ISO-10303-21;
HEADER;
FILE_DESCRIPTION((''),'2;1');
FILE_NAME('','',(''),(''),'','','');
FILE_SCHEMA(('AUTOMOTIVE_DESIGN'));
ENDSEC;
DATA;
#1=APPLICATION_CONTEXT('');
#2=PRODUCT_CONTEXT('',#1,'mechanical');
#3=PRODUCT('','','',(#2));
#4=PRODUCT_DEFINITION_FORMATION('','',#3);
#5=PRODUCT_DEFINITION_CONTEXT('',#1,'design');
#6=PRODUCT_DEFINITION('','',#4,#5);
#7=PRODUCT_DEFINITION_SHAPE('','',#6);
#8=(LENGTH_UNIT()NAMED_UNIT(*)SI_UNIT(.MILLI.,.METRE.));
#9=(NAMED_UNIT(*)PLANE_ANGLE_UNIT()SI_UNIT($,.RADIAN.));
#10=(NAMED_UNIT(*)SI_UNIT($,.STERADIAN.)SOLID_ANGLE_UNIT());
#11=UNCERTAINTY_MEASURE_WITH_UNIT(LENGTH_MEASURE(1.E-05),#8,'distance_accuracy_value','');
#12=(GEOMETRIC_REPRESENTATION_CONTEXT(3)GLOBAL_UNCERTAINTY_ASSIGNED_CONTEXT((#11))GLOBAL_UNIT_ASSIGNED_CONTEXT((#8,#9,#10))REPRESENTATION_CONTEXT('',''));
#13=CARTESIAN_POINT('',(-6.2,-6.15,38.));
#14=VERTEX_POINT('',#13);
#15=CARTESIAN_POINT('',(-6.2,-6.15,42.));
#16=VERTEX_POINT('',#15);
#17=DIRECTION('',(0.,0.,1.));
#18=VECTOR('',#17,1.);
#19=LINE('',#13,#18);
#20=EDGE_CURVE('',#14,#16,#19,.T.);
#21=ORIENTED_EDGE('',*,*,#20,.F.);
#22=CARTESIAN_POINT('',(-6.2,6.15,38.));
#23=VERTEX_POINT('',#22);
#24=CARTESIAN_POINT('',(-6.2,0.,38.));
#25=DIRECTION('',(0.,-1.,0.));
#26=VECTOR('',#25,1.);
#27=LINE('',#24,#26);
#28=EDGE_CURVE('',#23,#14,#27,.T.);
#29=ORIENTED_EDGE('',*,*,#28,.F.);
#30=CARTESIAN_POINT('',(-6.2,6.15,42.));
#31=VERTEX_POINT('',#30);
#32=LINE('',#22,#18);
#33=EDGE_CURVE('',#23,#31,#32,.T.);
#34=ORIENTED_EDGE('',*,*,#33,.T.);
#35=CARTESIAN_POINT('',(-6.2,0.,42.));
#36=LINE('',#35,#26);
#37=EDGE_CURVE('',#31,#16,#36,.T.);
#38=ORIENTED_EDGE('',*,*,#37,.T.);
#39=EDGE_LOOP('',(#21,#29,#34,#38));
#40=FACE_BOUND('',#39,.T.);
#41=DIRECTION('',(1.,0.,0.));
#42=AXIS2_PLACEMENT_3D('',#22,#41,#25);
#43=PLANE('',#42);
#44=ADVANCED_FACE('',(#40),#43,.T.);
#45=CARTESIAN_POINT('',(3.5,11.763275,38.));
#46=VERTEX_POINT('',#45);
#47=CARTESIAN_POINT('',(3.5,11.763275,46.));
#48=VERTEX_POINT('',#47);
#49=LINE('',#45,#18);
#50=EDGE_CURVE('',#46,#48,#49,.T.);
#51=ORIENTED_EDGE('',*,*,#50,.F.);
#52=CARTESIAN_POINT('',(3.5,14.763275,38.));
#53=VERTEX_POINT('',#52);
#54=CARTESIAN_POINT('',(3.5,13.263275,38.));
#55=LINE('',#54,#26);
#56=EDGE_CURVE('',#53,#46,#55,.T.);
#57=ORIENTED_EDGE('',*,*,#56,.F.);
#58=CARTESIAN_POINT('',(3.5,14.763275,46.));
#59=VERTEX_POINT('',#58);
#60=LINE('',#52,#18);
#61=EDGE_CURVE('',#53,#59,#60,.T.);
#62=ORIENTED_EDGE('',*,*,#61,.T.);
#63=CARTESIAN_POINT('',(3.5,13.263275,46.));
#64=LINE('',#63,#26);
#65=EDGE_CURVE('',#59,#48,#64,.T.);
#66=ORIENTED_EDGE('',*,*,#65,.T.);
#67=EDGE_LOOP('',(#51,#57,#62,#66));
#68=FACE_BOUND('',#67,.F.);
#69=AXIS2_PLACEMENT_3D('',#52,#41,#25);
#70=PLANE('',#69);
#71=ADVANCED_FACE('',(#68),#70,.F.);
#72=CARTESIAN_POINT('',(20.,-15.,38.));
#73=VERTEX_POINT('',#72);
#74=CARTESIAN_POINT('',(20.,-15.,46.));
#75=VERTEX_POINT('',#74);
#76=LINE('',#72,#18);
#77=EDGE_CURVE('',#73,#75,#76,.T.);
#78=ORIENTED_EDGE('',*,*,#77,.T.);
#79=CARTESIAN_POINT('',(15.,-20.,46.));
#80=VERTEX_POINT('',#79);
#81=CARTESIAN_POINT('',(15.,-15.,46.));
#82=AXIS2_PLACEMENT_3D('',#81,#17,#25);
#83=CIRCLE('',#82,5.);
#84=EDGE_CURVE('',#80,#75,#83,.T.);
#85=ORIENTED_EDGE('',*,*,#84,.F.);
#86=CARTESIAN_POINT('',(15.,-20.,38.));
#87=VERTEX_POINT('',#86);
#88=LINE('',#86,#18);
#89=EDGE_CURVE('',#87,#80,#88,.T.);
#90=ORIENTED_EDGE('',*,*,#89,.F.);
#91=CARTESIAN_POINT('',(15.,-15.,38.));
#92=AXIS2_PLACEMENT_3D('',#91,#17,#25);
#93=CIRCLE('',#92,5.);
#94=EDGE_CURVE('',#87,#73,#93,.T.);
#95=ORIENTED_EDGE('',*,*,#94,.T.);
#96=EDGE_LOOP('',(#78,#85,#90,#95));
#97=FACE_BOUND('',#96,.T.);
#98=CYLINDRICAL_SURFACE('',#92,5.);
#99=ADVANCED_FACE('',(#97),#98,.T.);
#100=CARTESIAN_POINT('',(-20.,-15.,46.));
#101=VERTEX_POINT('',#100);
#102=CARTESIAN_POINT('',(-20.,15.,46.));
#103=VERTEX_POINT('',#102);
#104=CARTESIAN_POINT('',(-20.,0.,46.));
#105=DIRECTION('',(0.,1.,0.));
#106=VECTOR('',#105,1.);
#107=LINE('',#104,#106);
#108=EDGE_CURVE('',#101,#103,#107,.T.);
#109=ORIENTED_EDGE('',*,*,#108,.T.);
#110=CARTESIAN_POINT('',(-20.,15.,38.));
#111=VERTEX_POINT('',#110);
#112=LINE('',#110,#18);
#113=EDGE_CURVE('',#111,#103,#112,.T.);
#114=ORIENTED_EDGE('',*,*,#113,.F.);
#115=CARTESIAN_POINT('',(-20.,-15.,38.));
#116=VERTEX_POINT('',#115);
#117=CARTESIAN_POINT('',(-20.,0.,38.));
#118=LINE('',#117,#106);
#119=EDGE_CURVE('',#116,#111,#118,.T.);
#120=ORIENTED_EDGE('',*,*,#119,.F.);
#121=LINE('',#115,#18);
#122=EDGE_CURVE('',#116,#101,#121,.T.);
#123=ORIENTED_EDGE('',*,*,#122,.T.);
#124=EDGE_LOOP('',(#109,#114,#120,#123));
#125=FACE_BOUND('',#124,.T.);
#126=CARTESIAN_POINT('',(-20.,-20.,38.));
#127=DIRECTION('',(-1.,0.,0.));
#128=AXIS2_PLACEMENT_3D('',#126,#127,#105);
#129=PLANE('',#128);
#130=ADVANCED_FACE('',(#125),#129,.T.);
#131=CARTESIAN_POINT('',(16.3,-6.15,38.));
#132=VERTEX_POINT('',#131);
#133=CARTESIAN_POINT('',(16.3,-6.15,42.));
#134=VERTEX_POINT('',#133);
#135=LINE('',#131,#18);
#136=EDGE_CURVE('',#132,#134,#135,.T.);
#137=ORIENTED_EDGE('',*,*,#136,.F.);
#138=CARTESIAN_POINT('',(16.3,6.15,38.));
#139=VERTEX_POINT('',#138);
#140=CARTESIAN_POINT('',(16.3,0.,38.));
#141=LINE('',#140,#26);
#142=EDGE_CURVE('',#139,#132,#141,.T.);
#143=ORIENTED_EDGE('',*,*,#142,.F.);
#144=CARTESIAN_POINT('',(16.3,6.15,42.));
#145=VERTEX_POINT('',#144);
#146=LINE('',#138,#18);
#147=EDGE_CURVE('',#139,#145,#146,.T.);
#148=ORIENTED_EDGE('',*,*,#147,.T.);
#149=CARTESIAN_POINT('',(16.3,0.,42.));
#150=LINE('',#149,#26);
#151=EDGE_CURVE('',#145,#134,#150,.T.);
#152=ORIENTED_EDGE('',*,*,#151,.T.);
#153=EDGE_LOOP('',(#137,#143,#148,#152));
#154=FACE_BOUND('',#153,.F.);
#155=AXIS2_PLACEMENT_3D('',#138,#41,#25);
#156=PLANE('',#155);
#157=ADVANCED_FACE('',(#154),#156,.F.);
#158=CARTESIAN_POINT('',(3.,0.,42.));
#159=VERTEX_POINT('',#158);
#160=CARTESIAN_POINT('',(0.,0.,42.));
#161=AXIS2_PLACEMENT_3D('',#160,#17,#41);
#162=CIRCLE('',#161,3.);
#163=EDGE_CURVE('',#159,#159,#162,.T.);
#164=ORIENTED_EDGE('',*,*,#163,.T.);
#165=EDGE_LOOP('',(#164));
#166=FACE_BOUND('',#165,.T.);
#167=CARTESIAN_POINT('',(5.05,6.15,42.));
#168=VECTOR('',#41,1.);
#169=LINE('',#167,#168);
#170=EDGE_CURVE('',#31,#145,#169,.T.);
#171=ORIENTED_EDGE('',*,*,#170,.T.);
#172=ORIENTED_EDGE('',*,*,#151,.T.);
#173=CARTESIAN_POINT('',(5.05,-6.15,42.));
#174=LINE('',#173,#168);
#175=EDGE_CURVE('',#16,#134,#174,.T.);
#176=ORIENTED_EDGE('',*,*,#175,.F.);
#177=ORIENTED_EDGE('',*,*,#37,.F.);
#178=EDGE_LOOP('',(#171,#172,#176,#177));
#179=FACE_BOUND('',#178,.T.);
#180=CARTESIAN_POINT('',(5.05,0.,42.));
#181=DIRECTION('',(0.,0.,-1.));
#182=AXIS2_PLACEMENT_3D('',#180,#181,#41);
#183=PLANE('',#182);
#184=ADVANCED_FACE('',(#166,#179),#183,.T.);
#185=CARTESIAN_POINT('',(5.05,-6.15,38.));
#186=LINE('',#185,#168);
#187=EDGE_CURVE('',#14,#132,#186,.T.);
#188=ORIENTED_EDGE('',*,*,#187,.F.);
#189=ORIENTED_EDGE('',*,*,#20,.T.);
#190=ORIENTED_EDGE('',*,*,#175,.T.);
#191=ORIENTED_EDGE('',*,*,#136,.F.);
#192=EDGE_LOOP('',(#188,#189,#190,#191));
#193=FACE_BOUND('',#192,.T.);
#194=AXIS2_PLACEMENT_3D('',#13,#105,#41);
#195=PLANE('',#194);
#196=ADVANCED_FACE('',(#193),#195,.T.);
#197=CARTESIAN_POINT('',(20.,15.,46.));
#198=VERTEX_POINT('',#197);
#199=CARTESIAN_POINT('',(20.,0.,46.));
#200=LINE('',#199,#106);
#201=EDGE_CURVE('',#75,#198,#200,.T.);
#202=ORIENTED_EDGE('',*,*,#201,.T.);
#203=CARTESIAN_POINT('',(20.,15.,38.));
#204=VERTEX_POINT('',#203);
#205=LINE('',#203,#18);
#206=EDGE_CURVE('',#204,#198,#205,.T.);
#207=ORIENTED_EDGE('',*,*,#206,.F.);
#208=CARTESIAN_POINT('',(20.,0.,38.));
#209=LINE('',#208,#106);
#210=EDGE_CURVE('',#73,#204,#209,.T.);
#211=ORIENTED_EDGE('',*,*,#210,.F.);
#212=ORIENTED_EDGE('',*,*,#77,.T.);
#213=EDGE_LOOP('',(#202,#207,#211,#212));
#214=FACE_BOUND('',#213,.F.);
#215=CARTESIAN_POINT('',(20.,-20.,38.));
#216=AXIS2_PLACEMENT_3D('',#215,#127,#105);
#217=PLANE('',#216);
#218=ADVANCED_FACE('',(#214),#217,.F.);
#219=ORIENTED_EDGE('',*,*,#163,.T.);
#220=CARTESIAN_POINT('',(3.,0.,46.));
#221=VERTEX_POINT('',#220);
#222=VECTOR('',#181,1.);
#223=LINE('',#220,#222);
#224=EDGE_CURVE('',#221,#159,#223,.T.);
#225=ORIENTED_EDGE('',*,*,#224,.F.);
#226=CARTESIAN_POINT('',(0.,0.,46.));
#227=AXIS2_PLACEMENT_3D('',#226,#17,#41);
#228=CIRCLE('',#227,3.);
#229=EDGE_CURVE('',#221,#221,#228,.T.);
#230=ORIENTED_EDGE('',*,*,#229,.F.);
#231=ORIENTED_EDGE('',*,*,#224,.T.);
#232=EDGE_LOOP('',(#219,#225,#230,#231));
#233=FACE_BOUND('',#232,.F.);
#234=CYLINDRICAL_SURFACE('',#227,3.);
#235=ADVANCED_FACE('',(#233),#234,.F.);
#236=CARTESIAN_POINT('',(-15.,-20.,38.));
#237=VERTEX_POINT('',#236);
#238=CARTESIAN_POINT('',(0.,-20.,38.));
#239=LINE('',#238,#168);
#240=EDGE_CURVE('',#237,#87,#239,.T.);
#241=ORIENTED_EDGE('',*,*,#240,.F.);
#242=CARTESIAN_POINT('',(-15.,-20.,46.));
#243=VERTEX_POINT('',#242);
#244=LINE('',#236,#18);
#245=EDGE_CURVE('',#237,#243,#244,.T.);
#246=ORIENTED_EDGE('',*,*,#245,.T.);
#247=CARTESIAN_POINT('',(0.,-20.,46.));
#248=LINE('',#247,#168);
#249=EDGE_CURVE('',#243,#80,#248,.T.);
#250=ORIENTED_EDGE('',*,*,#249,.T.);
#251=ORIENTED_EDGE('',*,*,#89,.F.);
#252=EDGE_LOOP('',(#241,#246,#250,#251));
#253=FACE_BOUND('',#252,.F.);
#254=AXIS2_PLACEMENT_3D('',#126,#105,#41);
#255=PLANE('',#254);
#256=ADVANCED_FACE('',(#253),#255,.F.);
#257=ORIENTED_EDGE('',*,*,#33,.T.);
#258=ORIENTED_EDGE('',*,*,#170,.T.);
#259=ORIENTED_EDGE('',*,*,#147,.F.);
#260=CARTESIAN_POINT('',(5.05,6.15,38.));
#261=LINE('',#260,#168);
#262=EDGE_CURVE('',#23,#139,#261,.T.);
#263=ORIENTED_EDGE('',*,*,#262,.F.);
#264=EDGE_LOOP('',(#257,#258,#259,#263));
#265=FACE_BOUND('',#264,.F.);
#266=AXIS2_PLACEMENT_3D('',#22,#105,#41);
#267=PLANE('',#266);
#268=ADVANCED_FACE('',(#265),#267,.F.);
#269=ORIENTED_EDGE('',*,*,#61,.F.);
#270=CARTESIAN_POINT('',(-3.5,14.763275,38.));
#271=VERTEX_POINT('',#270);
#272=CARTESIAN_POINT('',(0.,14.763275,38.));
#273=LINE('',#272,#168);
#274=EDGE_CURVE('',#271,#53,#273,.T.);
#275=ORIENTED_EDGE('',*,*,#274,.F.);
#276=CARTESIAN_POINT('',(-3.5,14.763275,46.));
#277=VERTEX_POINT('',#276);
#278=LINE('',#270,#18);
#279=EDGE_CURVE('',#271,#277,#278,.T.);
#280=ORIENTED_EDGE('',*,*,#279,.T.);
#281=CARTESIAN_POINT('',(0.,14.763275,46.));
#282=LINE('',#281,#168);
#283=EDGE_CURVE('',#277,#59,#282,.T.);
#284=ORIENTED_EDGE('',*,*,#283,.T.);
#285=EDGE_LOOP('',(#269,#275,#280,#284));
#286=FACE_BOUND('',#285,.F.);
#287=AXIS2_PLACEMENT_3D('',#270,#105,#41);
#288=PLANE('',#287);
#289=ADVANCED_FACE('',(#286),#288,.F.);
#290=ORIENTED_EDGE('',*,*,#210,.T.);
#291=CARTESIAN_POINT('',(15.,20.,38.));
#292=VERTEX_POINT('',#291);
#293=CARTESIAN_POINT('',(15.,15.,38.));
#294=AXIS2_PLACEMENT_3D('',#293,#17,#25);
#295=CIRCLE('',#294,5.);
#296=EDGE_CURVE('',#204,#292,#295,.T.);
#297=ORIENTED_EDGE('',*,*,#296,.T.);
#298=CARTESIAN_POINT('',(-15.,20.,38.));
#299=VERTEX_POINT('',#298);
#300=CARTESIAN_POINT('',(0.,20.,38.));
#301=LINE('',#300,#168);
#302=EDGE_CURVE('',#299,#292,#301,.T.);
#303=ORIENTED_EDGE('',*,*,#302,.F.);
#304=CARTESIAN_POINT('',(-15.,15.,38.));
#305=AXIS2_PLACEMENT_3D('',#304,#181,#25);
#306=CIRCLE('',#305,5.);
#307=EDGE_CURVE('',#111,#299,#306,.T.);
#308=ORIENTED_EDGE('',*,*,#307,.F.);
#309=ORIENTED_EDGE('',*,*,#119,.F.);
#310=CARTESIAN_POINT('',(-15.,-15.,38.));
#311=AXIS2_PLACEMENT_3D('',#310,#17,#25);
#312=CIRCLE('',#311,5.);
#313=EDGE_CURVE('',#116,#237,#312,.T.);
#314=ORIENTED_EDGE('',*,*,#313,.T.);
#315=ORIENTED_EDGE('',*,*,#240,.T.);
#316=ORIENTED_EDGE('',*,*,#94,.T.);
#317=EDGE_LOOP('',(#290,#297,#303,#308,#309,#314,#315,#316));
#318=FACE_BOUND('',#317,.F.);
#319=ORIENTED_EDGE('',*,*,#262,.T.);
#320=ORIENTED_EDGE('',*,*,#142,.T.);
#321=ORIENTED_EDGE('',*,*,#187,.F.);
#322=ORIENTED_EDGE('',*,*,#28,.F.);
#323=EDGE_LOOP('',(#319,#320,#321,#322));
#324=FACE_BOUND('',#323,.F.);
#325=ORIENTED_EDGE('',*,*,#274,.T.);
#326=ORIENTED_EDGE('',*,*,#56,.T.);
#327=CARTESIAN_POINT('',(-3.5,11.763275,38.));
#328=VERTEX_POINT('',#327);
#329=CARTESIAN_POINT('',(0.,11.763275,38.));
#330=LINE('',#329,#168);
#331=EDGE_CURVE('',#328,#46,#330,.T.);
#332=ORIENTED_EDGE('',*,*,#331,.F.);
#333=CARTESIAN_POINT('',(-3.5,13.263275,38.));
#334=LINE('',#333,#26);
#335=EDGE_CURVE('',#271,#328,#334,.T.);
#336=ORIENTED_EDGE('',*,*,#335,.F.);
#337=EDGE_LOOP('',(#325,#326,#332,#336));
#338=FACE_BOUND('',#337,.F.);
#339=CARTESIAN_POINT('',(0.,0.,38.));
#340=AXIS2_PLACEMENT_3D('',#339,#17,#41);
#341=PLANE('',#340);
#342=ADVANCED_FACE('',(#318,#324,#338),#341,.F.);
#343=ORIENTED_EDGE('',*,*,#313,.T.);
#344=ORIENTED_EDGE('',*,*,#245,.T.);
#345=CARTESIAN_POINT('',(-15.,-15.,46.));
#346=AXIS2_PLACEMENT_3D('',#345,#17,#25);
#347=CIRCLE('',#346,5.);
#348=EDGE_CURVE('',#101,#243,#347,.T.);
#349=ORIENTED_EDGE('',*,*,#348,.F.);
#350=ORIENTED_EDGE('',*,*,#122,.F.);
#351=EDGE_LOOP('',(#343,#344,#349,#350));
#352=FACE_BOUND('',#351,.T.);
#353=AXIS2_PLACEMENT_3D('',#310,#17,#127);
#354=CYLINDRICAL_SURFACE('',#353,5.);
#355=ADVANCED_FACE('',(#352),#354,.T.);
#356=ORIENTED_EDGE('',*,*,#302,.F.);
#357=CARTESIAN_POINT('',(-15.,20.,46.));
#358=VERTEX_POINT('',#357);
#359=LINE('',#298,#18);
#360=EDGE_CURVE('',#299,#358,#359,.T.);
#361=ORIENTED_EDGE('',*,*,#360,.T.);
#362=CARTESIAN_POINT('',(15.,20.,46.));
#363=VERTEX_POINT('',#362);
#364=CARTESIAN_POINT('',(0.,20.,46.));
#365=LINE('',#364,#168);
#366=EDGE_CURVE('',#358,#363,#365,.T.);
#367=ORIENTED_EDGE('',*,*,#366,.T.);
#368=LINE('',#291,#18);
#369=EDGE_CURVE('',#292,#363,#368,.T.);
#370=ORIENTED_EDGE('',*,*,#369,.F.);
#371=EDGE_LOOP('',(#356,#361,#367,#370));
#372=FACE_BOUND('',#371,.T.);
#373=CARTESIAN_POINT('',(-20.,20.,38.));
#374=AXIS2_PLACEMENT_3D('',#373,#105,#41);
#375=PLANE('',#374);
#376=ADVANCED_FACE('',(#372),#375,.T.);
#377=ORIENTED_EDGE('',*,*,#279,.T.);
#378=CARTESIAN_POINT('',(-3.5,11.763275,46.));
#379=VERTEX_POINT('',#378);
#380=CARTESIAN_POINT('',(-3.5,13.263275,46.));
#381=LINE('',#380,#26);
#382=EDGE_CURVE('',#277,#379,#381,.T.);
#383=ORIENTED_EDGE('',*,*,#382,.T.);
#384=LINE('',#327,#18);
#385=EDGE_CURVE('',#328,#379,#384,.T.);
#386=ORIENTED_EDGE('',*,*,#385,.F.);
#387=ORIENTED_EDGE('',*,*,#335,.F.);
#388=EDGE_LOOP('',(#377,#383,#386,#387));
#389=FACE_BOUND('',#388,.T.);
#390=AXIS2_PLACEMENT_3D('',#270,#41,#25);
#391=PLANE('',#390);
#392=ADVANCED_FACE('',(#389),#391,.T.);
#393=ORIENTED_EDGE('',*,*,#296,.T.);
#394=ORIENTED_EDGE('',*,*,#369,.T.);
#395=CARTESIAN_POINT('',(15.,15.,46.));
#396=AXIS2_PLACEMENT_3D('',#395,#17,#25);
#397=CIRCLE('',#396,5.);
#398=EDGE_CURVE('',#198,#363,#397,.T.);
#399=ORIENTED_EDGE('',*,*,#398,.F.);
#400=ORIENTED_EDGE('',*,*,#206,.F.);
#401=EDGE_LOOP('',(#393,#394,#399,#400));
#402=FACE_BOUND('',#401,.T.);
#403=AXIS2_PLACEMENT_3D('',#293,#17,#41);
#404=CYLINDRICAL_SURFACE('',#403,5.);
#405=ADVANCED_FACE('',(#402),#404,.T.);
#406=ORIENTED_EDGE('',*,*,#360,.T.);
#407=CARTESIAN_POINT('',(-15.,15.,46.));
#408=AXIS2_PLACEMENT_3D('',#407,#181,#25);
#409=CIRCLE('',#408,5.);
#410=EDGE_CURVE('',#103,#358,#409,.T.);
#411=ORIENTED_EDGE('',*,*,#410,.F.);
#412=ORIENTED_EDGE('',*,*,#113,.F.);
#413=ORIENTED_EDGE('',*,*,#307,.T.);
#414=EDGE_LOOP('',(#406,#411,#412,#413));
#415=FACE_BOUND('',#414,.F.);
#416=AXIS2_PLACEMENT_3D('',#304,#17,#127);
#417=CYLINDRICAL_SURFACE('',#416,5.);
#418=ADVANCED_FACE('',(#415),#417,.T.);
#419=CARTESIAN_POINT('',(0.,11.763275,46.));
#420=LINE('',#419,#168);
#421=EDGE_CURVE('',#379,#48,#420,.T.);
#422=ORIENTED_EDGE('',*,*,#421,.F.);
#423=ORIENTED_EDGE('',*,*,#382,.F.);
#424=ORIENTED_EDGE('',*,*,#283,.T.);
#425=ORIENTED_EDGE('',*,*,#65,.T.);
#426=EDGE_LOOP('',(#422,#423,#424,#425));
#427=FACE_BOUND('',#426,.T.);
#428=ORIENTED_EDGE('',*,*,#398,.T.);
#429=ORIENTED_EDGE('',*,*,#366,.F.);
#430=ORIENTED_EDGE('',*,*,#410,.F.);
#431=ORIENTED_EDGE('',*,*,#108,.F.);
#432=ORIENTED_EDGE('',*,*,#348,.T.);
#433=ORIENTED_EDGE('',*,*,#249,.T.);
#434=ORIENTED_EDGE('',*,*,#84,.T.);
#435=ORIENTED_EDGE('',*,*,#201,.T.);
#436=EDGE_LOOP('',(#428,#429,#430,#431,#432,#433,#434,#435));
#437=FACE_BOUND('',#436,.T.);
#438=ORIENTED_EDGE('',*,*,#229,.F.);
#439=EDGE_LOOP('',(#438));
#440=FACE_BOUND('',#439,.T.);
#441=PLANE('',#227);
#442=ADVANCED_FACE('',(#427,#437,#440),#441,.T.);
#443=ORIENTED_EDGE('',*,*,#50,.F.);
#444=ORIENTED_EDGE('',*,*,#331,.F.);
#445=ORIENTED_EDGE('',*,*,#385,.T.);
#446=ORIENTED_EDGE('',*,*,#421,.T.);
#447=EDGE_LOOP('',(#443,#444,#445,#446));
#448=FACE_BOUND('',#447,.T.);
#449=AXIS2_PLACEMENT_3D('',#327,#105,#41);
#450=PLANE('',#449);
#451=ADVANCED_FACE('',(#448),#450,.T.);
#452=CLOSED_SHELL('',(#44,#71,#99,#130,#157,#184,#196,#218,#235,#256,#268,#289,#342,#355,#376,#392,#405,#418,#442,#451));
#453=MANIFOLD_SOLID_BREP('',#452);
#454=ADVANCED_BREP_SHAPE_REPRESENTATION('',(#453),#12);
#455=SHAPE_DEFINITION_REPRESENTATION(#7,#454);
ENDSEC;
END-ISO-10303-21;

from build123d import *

# Parameters (mm, degrees)
SKETCH016_W     = 40
SKETCH016_H     = 40
PAD005_DEPTH    = 8
FILLET003_R     = 5
SKETCH017_W     = 22.5
SKETCH017_H     = 12.3
POCKET011_DEPTH = 4
SKETCH018_R     = 3
POCKET012_DEPTH = 5
SKETCH019_W     = 7
SKETCH019_H     = 3
POCKET013_DEPTH = 8


with BuildPart() as part:
    # Sketch016 → Pad005 (new body)
    with BuildSketch(Plane.XY):
        Rectangle(SKETCH016_W, SKETCH016_H)
    extrude(amount=PAD005_DEPTH)

    # Fillet003
    fillet003_edges = [part.edges().sort_by_distance(p)[0] for p in [
        (-20, -20, 4),
        (20, -20, 4),
        (20, 20, 4),
        (-20, 20, 4),
    ]]
    fillet(fillet003_edges, radius=FILLET003_R)

    # Sketch017 (on Face2 of Fillet003) → Pocket011 (cut)
    with BuildSketch(Plane(origin=(0, 0, 0), x_dir=(1, 0, 0), z_dir=(0, 0, -1))):
        with Locations((5.05, 0)):
            Rectangle(SKETCH017_W, SKETCH017_H)
    extrude(amount=-POCKET011_DEPTH, mode=Mode.SUBTRACT)

    # Sketch018 (on Face5 of Pocket011) → Pocket012 (cut)
    with BuildSketch(Plane.XY.offset(8)):
        Circle(SKETCH018_R)
    extrude(amount=-POCKET012_DEPTH, mode=Mode.SUBTRACT)

    # Sketch019 (on Face2 of Pocket012) → Pocket013 (cut)
    with BuildSketch(Plane(origin=(0, 0, 0), x_dir=(1, 0, 0), z_dir=(0, 0, -1))):
        with Locations((0, -13.263275)):
            Rectangle(SKETCH019_W, SKETCH019_H)
    extrude(amount=-POCKET013_DEPTH, mode=Mode.SUBTRACT)


with BuildPart() as part_1:
    # Body002 placement: moved
    add(part.part.moved(Location((0, 0, 38))))


solid = part_1.part
